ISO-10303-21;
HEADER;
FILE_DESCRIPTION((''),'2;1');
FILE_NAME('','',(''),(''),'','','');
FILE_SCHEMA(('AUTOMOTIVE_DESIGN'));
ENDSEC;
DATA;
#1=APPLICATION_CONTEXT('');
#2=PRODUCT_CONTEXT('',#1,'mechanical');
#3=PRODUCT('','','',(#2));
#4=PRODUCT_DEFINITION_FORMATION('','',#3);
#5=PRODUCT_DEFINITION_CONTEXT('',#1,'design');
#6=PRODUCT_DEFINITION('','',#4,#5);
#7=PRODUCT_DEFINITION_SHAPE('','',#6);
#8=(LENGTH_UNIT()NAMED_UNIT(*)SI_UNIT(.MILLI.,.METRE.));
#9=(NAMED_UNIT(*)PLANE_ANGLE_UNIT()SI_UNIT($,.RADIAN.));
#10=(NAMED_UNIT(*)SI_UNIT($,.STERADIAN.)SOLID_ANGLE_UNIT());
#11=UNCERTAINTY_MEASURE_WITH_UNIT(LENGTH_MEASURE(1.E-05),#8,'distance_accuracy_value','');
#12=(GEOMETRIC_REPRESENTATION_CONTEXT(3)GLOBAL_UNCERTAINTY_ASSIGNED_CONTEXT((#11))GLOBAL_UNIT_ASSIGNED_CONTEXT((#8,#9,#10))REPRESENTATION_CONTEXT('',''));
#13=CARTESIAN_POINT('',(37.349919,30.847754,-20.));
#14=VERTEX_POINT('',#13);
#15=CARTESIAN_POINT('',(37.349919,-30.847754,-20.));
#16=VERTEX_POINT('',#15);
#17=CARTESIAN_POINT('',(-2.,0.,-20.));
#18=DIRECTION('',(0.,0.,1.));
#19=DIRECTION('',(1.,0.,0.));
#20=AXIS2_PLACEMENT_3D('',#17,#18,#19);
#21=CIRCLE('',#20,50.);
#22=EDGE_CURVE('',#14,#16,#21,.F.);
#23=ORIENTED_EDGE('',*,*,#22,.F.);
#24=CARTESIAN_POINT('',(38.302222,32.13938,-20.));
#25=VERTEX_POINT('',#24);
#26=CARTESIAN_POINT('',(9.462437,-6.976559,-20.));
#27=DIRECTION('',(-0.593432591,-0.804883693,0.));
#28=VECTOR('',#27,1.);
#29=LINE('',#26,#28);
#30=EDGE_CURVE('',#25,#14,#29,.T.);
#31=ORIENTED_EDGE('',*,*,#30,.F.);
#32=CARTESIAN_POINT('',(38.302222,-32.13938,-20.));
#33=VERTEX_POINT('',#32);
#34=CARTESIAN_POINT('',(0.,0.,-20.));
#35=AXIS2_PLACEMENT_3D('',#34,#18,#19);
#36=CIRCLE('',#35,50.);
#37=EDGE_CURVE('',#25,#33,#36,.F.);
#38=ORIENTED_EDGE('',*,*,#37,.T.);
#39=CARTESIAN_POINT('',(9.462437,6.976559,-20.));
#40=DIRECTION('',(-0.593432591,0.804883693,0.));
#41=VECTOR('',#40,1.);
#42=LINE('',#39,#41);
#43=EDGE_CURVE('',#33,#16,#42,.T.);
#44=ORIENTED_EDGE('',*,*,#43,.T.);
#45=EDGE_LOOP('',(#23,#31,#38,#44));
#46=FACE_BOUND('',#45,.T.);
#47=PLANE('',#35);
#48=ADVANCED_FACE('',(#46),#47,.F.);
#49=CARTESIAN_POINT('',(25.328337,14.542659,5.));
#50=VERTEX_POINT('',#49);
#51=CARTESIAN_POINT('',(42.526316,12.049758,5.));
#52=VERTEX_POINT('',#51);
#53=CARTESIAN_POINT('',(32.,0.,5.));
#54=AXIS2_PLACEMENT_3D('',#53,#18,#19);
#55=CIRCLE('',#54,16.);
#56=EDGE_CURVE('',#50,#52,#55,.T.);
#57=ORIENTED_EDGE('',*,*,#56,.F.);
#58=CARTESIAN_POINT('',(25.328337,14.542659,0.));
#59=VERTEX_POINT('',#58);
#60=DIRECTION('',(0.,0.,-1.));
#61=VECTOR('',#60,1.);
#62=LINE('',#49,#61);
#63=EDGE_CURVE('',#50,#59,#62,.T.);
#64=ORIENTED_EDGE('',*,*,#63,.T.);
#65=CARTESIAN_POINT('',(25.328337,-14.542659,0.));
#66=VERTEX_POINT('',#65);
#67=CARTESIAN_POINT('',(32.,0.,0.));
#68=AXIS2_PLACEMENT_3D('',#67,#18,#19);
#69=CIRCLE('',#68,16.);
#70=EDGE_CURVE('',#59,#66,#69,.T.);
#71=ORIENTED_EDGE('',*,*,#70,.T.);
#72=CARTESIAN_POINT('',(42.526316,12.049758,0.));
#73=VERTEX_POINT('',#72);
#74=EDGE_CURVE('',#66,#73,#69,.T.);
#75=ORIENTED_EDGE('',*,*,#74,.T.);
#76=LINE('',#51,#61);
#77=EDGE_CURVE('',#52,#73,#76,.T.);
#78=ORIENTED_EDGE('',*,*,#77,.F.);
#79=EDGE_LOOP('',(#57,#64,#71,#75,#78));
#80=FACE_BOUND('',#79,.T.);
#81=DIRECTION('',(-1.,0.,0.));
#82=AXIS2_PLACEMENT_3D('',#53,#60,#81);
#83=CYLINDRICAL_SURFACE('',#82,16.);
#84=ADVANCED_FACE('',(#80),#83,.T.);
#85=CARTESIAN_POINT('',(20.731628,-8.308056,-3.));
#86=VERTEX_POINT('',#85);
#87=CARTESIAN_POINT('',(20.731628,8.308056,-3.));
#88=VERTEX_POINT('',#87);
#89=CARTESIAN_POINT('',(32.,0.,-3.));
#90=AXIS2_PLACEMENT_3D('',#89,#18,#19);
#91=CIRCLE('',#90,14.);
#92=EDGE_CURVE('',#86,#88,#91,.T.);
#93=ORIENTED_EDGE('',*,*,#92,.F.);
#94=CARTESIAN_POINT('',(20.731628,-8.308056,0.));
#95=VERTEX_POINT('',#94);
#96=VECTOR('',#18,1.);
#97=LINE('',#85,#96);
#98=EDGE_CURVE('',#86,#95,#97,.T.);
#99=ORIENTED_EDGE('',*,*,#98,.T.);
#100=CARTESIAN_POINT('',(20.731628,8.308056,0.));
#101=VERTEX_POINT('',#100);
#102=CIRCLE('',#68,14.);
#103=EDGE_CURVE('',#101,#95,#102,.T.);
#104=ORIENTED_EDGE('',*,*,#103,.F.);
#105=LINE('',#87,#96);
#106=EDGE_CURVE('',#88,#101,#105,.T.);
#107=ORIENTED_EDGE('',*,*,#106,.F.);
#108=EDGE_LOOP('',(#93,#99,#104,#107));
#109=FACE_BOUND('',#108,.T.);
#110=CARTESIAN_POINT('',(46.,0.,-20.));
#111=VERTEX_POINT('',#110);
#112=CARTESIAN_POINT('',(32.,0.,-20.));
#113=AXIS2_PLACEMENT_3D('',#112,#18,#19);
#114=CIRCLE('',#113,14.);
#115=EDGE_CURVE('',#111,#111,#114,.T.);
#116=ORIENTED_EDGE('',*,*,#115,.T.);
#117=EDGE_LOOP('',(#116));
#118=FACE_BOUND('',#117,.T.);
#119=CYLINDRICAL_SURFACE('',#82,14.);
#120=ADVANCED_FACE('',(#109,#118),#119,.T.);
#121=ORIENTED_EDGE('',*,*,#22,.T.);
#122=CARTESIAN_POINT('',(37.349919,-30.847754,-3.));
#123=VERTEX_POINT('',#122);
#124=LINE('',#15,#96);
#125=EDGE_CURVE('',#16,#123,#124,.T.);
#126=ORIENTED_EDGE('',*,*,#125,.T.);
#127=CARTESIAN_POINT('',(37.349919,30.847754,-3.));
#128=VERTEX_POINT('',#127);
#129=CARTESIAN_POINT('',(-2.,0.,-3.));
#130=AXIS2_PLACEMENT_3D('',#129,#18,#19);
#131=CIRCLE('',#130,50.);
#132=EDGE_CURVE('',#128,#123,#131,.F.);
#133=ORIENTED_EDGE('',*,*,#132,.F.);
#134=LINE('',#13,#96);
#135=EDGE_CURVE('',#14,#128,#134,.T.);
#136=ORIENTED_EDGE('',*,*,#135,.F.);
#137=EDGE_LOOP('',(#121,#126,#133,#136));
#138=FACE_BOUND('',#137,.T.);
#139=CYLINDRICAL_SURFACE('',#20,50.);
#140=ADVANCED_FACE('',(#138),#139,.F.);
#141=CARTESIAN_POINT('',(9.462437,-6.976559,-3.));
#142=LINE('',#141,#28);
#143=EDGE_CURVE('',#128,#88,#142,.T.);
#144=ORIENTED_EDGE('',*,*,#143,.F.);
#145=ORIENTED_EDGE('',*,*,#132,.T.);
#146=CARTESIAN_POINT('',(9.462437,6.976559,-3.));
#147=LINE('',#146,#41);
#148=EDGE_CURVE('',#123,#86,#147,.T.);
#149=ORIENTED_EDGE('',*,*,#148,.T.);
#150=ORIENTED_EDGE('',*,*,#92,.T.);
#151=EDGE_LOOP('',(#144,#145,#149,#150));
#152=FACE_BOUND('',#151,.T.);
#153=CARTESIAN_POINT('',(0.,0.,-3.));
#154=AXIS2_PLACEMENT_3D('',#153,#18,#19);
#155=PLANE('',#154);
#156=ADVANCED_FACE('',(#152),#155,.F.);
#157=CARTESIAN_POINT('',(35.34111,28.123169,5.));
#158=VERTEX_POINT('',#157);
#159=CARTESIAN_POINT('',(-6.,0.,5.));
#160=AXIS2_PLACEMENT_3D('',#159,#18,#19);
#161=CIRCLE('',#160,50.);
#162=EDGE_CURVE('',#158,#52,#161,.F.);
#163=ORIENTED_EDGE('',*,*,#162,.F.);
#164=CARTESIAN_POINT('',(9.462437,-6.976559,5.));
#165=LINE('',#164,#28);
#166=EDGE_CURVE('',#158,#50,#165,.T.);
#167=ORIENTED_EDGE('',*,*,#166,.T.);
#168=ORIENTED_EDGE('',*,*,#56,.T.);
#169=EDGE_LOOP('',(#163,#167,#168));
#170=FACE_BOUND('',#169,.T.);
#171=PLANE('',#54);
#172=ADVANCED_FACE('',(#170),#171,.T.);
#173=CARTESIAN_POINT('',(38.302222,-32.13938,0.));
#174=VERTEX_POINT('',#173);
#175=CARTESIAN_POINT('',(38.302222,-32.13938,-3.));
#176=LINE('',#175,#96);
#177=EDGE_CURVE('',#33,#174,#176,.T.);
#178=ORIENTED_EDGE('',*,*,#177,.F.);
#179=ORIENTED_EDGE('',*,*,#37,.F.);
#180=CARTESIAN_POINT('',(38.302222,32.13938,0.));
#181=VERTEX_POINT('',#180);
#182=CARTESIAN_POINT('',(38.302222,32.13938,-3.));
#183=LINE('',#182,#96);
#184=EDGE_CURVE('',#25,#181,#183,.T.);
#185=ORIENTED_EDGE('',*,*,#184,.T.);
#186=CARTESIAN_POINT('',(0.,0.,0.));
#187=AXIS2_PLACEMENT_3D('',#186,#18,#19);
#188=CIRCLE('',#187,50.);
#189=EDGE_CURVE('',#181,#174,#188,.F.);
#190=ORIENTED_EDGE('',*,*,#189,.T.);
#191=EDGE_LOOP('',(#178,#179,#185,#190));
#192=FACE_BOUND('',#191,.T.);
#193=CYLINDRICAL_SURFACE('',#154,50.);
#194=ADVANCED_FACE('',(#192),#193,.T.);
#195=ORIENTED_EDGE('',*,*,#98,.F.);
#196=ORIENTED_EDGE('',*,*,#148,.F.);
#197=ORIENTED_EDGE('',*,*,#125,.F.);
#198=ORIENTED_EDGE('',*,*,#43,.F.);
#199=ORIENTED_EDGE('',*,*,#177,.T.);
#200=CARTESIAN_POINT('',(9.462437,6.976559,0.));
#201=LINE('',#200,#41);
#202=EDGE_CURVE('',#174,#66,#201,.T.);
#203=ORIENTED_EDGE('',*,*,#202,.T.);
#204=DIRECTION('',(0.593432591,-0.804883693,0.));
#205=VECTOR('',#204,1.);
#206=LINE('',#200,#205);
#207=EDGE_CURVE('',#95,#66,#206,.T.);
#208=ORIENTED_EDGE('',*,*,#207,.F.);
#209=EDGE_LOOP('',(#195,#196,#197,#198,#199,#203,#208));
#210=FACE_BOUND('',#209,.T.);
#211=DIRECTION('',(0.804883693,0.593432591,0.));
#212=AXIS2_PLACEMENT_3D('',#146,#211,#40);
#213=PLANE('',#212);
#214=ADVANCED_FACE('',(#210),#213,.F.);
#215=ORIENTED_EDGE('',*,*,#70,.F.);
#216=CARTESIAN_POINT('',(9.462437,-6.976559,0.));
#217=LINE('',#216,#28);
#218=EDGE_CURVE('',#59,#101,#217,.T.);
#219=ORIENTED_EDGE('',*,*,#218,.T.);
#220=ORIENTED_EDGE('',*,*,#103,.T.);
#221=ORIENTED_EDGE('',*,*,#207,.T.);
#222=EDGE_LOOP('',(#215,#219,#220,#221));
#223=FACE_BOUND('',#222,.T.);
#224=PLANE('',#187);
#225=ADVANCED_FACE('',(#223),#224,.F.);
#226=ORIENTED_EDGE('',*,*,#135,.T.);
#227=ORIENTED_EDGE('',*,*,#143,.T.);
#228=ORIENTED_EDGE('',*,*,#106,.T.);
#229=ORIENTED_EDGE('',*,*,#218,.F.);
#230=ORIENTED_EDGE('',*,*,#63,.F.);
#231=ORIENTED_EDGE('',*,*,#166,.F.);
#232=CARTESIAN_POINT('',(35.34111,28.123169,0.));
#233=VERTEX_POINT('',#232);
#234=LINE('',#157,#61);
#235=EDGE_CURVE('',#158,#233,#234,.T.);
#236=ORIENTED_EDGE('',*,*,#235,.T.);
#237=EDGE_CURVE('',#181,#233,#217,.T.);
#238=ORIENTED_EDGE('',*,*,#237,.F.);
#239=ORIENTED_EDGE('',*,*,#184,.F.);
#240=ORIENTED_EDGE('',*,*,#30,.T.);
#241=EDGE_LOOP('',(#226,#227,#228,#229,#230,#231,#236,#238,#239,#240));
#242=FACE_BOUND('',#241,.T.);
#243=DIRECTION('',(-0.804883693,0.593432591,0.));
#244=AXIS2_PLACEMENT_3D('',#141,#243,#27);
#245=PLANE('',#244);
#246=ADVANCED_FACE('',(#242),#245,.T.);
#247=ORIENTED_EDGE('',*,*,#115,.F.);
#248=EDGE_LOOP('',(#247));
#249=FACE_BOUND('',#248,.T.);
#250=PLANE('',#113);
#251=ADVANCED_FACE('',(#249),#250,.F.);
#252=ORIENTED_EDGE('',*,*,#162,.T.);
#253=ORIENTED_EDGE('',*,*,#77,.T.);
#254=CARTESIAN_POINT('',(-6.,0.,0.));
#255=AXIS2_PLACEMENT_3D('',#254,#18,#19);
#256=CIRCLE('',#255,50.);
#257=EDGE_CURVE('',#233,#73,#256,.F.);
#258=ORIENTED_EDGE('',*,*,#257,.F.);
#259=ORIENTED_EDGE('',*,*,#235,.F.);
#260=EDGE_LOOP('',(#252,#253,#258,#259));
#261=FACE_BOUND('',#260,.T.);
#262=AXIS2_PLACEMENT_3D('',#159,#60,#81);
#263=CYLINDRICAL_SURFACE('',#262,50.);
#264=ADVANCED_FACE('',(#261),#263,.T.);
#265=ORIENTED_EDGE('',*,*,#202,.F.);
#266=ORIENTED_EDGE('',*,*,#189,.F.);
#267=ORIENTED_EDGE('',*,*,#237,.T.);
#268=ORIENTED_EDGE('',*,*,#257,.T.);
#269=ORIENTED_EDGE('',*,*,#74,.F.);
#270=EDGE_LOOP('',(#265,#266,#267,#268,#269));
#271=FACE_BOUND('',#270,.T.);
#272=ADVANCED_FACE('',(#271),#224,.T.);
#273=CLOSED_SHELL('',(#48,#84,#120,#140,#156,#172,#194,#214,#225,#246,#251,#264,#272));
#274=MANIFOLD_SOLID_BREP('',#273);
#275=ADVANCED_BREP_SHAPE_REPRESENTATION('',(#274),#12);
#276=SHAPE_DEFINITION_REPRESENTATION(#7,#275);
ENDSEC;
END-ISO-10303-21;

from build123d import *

# Parameters (mm, degrees)
SKETCH3_R           = 14
BOSS_EXTRUDE1_DEPTH = 5
BOSS_EXTRUDE2_START = -3
BOSS_EXTRUDE2_DEPTH = 3
BOSS_EXTRUDE3_START = -20
BOSS_EXTRUDE3_DEPTH = 20
BOSS_EXTRUDE4_START = -20
SKETCH3_5_R         = 14
BOSS_EXTRUDE4_DEPTH = 20
BOSS_EXTRUDE5_DEPTH = 5


with BuildPart() as part:
    # Sketch3 → Boss-Extrude1 (new body)
    with BuildSketch(Plane.XY):
        with Locations((32, 0)):
            Circle(SKETCH3_R)
    extrude(amount=BOSS_EXTRUDE1_DEPTH)

    # Sketch3<3> → Boss-Extrude2 (add)
    with BuildSketch(Plane.XY.offset(BOSS_EXTRUDE2_START)):
        with BuildLine():
            ThreePointArc((38.302222156, -32.139380484), (50, 0), (38.302222156, 32.139380484))
            Line((38.302222156, 32.139380484), (20.731628295, 8.308056278))
            ThreePointArc((20.731628295, 8.308056278), (18, 0), (20.731628295, -8.308056278))
            Line((20.731628295, -8.308056278), (38.302222156, -32.139380484))
        make_face()
    extrude(amount=BOSS_EXTRUDE2_DEPTH)

    # Sketch3<4> → Boss-Extrude3 (add)
    with BuildSketch(Plane.XY.offset(BOSS_EXTRUDE3_START)):
        with BuildLine():
            ThreePointArc((38.302222156, -32.139380484), (50, 0), (38.302222156, 32.139380484))
            Line((38.302222156, 32.139380484), (37.349918698, 30.84775354))
            ThreePointArc((37.349918698, 30.84775354), (48, 0), (37.349918698, -30.84775354))
            Line((37.349918698, -30.84775354), (38.302222156, -32.139380484))
        make_face()
    extrude(amount=BOSS_EXTRUDE3_DEPTH)

    # Sketch3<5> → Boss-Extrude4 (add)
    with BuildSketch(Plane.XY.offset(BOSS_EXTRUDE4_START)):
        with Locations((32, 0)):
            Circle(SKETCH3_5_R)
    extrude(amount=BOSS_EXTRUDE4_DEPTH)

    # Sketch4 → Boss-Extrude5 (add)
    with BuildSketch(Plane.XY):
        with BuildLine():
            ThreePointArc((42.526315789, 12.049758334), (39.646765333, 20.405215379), (35.341109992, 28.123168822))
            Line((35.341109992, 28.123168822), (25.328337382, 14.542658557))
            ThreePointArc((25.328337382, 14.542658557), (29.704738436, -15.834512129), (42.526315789, 12.049758334))
        make_face()
    extrude(amount=BOSS_EXTRUDE5_DEPTH)


solid = part.part
